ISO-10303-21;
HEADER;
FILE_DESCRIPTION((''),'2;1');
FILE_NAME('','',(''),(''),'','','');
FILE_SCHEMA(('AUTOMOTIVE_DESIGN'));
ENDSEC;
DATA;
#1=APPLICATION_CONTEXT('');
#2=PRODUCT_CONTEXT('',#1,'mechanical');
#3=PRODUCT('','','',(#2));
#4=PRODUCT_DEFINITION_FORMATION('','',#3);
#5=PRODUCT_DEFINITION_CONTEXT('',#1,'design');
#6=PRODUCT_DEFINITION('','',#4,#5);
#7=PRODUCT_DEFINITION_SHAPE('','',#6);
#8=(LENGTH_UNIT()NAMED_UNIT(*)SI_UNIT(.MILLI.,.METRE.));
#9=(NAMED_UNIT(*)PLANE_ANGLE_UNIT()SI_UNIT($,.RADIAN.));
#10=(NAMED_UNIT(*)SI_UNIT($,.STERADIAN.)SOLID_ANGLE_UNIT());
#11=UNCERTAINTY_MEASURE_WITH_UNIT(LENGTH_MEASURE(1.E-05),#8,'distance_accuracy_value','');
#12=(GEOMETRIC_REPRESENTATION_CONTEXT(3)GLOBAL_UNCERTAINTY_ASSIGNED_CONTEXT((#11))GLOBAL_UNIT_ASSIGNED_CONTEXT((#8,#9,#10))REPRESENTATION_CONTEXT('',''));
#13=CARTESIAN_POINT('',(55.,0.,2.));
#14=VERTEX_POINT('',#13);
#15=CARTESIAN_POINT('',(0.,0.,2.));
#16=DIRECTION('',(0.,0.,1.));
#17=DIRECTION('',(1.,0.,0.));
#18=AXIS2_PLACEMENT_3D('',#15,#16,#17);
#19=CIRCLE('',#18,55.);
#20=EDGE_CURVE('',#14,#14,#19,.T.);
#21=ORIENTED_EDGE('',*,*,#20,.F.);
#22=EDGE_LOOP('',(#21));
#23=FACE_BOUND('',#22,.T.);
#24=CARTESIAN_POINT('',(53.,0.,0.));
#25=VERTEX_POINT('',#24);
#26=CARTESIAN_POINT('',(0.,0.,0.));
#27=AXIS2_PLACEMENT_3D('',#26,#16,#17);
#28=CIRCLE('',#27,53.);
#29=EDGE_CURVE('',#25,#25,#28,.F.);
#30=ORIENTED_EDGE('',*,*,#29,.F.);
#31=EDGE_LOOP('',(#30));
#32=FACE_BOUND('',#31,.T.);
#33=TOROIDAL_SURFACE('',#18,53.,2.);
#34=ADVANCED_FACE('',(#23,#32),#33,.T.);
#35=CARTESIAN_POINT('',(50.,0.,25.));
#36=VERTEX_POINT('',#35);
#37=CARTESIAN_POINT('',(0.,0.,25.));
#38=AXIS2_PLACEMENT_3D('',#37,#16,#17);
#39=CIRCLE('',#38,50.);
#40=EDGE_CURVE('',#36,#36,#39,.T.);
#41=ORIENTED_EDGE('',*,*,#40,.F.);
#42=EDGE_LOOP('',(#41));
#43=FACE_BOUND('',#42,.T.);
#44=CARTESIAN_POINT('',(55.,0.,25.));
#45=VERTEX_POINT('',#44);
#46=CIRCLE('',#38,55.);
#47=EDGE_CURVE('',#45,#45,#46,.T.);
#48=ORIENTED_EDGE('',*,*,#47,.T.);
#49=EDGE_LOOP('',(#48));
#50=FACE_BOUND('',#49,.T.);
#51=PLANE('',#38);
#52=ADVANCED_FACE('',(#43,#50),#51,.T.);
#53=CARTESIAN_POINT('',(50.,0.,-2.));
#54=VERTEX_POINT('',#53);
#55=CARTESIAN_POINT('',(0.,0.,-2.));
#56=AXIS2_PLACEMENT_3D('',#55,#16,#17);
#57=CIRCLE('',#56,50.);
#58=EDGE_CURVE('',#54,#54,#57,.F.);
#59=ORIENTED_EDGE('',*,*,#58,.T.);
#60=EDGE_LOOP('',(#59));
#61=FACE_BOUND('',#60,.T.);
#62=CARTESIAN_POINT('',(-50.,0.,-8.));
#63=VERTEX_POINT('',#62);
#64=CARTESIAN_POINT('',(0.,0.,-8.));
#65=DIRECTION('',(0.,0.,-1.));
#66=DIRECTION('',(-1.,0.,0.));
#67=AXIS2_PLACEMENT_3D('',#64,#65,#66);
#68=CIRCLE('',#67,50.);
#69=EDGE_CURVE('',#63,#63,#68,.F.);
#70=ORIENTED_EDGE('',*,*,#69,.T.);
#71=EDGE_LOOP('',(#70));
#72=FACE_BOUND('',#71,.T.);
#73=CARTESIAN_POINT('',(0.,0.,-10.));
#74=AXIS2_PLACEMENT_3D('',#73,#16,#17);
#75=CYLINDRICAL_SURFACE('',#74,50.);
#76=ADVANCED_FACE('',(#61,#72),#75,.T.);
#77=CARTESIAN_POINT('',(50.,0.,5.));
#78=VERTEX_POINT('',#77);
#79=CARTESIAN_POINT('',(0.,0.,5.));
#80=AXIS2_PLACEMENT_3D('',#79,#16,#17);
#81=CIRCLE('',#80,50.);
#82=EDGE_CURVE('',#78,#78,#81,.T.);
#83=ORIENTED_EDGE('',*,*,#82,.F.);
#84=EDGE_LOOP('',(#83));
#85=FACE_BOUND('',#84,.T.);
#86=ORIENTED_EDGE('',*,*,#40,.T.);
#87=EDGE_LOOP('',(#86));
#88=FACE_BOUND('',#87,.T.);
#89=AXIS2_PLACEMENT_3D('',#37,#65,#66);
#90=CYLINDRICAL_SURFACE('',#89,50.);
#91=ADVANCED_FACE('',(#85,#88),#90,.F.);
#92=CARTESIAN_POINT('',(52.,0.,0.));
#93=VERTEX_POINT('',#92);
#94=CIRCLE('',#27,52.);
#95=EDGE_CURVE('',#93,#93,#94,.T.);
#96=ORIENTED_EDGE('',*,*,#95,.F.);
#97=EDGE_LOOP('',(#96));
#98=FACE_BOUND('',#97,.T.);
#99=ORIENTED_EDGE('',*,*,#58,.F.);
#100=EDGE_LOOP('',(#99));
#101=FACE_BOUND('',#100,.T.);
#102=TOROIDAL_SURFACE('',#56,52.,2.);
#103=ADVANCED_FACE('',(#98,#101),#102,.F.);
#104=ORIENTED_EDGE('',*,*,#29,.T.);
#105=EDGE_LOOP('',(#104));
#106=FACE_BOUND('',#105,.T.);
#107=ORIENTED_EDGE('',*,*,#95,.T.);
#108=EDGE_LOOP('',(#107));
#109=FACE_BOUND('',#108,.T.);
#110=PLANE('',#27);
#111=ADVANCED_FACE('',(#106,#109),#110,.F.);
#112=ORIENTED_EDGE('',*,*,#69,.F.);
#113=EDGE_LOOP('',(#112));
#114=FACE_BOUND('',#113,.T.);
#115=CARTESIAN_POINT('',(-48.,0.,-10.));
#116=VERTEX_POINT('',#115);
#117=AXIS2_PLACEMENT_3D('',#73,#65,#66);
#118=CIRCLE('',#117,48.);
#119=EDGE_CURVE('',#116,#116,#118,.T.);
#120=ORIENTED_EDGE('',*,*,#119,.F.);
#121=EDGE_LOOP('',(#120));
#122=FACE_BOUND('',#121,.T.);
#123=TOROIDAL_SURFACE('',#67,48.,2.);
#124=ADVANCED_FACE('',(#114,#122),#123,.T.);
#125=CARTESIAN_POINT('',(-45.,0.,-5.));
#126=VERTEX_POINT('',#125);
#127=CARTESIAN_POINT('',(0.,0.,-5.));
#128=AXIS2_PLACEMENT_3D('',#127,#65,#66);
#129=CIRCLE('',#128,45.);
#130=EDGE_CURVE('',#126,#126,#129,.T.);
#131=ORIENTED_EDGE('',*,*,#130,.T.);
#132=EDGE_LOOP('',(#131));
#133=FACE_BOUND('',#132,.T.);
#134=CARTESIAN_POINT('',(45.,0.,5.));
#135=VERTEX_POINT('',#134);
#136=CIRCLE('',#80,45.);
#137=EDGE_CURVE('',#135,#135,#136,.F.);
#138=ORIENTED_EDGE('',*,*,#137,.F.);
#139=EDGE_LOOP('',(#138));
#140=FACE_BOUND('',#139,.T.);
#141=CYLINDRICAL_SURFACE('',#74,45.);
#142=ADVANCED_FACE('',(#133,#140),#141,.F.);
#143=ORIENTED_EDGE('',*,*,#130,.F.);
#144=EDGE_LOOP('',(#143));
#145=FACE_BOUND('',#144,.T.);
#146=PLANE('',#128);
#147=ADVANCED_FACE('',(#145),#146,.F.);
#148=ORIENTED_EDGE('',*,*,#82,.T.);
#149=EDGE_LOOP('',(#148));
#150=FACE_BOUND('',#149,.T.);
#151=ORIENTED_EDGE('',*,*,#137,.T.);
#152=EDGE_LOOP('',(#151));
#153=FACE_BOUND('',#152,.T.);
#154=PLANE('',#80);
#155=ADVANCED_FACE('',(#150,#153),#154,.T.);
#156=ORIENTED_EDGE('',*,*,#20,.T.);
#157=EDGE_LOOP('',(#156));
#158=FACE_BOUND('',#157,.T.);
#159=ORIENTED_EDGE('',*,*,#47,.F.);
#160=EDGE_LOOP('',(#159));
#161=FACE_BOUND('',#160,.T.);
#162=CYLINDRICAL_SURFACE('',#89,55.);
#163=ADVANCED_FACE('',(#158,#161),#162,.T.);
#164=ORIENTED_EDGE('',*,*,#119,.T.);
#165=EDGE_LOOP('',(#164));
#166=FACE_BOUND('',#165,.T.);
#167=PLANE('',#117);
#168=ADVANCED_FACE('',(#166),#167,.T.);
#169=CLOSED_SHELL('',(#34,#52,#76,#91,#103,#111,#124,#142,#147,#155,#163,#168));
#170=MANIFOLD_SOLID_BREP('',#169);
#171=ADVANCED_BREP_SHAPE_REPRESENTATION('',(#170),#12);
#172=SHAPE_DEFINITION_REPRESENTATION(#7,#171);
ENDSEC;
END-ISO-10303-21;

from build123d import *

# Parameters (mm, degrees)
ESBO_O1_R                = 55
RESSALTO_EXTRUS_O1_DEPTH = 25
ESBO_O2_R                = 50
RESSALTO_EXTRUS_O2_DEPTH = 10
CASCA1_T                 = -5
FILETE2_R                = 2
FILETE3_R                = 2


with BuildPart() as part:
    # Esboço1 → Ressalto-extrusão1 (new body)
    with BuildSketch(Plane.XY):
        Circle(ESBO_O1_R)
    extrude(amount=RESSALTO_EXTRUS_O1_DEPTH)

    # Esboço2 → Ressalto-extrusão2 (add)
    with BuildSketch(Plane(origin=(0, 0, 0), x_dir=(-1, 0, 0), z_dir=(0, 0, -1))):
        Circle(ESBO_O2_R)
    extrude(amount=RESSALTO_EXTRUS_O2_DEPTH)

    # Casca1
    casca1_openings = [part.faces().sort_by_distance(p)[0] for p in [
        (0, 0, 25),
    ]]
    offset(amount=CASCA1_T, openings=casca1_openings, kind=Kind.INTERSECTION)

    # Filete2
    filete2_edges = [part.edges().sort_by_distance(p)[0] for p in [
        (50, 0, 0),
        (50, 0, -10),
    ]]
    fillet(filete2_edges, radius=FILETE2_R)

    # Filete3
    filete3_edges = [part.edges().sort_by_distance(p)[0] for p in [
        (-55, 0, 0),
    ]]
    fillet(filete3_edges, radius=FILETE3_R)


solid = part.part
